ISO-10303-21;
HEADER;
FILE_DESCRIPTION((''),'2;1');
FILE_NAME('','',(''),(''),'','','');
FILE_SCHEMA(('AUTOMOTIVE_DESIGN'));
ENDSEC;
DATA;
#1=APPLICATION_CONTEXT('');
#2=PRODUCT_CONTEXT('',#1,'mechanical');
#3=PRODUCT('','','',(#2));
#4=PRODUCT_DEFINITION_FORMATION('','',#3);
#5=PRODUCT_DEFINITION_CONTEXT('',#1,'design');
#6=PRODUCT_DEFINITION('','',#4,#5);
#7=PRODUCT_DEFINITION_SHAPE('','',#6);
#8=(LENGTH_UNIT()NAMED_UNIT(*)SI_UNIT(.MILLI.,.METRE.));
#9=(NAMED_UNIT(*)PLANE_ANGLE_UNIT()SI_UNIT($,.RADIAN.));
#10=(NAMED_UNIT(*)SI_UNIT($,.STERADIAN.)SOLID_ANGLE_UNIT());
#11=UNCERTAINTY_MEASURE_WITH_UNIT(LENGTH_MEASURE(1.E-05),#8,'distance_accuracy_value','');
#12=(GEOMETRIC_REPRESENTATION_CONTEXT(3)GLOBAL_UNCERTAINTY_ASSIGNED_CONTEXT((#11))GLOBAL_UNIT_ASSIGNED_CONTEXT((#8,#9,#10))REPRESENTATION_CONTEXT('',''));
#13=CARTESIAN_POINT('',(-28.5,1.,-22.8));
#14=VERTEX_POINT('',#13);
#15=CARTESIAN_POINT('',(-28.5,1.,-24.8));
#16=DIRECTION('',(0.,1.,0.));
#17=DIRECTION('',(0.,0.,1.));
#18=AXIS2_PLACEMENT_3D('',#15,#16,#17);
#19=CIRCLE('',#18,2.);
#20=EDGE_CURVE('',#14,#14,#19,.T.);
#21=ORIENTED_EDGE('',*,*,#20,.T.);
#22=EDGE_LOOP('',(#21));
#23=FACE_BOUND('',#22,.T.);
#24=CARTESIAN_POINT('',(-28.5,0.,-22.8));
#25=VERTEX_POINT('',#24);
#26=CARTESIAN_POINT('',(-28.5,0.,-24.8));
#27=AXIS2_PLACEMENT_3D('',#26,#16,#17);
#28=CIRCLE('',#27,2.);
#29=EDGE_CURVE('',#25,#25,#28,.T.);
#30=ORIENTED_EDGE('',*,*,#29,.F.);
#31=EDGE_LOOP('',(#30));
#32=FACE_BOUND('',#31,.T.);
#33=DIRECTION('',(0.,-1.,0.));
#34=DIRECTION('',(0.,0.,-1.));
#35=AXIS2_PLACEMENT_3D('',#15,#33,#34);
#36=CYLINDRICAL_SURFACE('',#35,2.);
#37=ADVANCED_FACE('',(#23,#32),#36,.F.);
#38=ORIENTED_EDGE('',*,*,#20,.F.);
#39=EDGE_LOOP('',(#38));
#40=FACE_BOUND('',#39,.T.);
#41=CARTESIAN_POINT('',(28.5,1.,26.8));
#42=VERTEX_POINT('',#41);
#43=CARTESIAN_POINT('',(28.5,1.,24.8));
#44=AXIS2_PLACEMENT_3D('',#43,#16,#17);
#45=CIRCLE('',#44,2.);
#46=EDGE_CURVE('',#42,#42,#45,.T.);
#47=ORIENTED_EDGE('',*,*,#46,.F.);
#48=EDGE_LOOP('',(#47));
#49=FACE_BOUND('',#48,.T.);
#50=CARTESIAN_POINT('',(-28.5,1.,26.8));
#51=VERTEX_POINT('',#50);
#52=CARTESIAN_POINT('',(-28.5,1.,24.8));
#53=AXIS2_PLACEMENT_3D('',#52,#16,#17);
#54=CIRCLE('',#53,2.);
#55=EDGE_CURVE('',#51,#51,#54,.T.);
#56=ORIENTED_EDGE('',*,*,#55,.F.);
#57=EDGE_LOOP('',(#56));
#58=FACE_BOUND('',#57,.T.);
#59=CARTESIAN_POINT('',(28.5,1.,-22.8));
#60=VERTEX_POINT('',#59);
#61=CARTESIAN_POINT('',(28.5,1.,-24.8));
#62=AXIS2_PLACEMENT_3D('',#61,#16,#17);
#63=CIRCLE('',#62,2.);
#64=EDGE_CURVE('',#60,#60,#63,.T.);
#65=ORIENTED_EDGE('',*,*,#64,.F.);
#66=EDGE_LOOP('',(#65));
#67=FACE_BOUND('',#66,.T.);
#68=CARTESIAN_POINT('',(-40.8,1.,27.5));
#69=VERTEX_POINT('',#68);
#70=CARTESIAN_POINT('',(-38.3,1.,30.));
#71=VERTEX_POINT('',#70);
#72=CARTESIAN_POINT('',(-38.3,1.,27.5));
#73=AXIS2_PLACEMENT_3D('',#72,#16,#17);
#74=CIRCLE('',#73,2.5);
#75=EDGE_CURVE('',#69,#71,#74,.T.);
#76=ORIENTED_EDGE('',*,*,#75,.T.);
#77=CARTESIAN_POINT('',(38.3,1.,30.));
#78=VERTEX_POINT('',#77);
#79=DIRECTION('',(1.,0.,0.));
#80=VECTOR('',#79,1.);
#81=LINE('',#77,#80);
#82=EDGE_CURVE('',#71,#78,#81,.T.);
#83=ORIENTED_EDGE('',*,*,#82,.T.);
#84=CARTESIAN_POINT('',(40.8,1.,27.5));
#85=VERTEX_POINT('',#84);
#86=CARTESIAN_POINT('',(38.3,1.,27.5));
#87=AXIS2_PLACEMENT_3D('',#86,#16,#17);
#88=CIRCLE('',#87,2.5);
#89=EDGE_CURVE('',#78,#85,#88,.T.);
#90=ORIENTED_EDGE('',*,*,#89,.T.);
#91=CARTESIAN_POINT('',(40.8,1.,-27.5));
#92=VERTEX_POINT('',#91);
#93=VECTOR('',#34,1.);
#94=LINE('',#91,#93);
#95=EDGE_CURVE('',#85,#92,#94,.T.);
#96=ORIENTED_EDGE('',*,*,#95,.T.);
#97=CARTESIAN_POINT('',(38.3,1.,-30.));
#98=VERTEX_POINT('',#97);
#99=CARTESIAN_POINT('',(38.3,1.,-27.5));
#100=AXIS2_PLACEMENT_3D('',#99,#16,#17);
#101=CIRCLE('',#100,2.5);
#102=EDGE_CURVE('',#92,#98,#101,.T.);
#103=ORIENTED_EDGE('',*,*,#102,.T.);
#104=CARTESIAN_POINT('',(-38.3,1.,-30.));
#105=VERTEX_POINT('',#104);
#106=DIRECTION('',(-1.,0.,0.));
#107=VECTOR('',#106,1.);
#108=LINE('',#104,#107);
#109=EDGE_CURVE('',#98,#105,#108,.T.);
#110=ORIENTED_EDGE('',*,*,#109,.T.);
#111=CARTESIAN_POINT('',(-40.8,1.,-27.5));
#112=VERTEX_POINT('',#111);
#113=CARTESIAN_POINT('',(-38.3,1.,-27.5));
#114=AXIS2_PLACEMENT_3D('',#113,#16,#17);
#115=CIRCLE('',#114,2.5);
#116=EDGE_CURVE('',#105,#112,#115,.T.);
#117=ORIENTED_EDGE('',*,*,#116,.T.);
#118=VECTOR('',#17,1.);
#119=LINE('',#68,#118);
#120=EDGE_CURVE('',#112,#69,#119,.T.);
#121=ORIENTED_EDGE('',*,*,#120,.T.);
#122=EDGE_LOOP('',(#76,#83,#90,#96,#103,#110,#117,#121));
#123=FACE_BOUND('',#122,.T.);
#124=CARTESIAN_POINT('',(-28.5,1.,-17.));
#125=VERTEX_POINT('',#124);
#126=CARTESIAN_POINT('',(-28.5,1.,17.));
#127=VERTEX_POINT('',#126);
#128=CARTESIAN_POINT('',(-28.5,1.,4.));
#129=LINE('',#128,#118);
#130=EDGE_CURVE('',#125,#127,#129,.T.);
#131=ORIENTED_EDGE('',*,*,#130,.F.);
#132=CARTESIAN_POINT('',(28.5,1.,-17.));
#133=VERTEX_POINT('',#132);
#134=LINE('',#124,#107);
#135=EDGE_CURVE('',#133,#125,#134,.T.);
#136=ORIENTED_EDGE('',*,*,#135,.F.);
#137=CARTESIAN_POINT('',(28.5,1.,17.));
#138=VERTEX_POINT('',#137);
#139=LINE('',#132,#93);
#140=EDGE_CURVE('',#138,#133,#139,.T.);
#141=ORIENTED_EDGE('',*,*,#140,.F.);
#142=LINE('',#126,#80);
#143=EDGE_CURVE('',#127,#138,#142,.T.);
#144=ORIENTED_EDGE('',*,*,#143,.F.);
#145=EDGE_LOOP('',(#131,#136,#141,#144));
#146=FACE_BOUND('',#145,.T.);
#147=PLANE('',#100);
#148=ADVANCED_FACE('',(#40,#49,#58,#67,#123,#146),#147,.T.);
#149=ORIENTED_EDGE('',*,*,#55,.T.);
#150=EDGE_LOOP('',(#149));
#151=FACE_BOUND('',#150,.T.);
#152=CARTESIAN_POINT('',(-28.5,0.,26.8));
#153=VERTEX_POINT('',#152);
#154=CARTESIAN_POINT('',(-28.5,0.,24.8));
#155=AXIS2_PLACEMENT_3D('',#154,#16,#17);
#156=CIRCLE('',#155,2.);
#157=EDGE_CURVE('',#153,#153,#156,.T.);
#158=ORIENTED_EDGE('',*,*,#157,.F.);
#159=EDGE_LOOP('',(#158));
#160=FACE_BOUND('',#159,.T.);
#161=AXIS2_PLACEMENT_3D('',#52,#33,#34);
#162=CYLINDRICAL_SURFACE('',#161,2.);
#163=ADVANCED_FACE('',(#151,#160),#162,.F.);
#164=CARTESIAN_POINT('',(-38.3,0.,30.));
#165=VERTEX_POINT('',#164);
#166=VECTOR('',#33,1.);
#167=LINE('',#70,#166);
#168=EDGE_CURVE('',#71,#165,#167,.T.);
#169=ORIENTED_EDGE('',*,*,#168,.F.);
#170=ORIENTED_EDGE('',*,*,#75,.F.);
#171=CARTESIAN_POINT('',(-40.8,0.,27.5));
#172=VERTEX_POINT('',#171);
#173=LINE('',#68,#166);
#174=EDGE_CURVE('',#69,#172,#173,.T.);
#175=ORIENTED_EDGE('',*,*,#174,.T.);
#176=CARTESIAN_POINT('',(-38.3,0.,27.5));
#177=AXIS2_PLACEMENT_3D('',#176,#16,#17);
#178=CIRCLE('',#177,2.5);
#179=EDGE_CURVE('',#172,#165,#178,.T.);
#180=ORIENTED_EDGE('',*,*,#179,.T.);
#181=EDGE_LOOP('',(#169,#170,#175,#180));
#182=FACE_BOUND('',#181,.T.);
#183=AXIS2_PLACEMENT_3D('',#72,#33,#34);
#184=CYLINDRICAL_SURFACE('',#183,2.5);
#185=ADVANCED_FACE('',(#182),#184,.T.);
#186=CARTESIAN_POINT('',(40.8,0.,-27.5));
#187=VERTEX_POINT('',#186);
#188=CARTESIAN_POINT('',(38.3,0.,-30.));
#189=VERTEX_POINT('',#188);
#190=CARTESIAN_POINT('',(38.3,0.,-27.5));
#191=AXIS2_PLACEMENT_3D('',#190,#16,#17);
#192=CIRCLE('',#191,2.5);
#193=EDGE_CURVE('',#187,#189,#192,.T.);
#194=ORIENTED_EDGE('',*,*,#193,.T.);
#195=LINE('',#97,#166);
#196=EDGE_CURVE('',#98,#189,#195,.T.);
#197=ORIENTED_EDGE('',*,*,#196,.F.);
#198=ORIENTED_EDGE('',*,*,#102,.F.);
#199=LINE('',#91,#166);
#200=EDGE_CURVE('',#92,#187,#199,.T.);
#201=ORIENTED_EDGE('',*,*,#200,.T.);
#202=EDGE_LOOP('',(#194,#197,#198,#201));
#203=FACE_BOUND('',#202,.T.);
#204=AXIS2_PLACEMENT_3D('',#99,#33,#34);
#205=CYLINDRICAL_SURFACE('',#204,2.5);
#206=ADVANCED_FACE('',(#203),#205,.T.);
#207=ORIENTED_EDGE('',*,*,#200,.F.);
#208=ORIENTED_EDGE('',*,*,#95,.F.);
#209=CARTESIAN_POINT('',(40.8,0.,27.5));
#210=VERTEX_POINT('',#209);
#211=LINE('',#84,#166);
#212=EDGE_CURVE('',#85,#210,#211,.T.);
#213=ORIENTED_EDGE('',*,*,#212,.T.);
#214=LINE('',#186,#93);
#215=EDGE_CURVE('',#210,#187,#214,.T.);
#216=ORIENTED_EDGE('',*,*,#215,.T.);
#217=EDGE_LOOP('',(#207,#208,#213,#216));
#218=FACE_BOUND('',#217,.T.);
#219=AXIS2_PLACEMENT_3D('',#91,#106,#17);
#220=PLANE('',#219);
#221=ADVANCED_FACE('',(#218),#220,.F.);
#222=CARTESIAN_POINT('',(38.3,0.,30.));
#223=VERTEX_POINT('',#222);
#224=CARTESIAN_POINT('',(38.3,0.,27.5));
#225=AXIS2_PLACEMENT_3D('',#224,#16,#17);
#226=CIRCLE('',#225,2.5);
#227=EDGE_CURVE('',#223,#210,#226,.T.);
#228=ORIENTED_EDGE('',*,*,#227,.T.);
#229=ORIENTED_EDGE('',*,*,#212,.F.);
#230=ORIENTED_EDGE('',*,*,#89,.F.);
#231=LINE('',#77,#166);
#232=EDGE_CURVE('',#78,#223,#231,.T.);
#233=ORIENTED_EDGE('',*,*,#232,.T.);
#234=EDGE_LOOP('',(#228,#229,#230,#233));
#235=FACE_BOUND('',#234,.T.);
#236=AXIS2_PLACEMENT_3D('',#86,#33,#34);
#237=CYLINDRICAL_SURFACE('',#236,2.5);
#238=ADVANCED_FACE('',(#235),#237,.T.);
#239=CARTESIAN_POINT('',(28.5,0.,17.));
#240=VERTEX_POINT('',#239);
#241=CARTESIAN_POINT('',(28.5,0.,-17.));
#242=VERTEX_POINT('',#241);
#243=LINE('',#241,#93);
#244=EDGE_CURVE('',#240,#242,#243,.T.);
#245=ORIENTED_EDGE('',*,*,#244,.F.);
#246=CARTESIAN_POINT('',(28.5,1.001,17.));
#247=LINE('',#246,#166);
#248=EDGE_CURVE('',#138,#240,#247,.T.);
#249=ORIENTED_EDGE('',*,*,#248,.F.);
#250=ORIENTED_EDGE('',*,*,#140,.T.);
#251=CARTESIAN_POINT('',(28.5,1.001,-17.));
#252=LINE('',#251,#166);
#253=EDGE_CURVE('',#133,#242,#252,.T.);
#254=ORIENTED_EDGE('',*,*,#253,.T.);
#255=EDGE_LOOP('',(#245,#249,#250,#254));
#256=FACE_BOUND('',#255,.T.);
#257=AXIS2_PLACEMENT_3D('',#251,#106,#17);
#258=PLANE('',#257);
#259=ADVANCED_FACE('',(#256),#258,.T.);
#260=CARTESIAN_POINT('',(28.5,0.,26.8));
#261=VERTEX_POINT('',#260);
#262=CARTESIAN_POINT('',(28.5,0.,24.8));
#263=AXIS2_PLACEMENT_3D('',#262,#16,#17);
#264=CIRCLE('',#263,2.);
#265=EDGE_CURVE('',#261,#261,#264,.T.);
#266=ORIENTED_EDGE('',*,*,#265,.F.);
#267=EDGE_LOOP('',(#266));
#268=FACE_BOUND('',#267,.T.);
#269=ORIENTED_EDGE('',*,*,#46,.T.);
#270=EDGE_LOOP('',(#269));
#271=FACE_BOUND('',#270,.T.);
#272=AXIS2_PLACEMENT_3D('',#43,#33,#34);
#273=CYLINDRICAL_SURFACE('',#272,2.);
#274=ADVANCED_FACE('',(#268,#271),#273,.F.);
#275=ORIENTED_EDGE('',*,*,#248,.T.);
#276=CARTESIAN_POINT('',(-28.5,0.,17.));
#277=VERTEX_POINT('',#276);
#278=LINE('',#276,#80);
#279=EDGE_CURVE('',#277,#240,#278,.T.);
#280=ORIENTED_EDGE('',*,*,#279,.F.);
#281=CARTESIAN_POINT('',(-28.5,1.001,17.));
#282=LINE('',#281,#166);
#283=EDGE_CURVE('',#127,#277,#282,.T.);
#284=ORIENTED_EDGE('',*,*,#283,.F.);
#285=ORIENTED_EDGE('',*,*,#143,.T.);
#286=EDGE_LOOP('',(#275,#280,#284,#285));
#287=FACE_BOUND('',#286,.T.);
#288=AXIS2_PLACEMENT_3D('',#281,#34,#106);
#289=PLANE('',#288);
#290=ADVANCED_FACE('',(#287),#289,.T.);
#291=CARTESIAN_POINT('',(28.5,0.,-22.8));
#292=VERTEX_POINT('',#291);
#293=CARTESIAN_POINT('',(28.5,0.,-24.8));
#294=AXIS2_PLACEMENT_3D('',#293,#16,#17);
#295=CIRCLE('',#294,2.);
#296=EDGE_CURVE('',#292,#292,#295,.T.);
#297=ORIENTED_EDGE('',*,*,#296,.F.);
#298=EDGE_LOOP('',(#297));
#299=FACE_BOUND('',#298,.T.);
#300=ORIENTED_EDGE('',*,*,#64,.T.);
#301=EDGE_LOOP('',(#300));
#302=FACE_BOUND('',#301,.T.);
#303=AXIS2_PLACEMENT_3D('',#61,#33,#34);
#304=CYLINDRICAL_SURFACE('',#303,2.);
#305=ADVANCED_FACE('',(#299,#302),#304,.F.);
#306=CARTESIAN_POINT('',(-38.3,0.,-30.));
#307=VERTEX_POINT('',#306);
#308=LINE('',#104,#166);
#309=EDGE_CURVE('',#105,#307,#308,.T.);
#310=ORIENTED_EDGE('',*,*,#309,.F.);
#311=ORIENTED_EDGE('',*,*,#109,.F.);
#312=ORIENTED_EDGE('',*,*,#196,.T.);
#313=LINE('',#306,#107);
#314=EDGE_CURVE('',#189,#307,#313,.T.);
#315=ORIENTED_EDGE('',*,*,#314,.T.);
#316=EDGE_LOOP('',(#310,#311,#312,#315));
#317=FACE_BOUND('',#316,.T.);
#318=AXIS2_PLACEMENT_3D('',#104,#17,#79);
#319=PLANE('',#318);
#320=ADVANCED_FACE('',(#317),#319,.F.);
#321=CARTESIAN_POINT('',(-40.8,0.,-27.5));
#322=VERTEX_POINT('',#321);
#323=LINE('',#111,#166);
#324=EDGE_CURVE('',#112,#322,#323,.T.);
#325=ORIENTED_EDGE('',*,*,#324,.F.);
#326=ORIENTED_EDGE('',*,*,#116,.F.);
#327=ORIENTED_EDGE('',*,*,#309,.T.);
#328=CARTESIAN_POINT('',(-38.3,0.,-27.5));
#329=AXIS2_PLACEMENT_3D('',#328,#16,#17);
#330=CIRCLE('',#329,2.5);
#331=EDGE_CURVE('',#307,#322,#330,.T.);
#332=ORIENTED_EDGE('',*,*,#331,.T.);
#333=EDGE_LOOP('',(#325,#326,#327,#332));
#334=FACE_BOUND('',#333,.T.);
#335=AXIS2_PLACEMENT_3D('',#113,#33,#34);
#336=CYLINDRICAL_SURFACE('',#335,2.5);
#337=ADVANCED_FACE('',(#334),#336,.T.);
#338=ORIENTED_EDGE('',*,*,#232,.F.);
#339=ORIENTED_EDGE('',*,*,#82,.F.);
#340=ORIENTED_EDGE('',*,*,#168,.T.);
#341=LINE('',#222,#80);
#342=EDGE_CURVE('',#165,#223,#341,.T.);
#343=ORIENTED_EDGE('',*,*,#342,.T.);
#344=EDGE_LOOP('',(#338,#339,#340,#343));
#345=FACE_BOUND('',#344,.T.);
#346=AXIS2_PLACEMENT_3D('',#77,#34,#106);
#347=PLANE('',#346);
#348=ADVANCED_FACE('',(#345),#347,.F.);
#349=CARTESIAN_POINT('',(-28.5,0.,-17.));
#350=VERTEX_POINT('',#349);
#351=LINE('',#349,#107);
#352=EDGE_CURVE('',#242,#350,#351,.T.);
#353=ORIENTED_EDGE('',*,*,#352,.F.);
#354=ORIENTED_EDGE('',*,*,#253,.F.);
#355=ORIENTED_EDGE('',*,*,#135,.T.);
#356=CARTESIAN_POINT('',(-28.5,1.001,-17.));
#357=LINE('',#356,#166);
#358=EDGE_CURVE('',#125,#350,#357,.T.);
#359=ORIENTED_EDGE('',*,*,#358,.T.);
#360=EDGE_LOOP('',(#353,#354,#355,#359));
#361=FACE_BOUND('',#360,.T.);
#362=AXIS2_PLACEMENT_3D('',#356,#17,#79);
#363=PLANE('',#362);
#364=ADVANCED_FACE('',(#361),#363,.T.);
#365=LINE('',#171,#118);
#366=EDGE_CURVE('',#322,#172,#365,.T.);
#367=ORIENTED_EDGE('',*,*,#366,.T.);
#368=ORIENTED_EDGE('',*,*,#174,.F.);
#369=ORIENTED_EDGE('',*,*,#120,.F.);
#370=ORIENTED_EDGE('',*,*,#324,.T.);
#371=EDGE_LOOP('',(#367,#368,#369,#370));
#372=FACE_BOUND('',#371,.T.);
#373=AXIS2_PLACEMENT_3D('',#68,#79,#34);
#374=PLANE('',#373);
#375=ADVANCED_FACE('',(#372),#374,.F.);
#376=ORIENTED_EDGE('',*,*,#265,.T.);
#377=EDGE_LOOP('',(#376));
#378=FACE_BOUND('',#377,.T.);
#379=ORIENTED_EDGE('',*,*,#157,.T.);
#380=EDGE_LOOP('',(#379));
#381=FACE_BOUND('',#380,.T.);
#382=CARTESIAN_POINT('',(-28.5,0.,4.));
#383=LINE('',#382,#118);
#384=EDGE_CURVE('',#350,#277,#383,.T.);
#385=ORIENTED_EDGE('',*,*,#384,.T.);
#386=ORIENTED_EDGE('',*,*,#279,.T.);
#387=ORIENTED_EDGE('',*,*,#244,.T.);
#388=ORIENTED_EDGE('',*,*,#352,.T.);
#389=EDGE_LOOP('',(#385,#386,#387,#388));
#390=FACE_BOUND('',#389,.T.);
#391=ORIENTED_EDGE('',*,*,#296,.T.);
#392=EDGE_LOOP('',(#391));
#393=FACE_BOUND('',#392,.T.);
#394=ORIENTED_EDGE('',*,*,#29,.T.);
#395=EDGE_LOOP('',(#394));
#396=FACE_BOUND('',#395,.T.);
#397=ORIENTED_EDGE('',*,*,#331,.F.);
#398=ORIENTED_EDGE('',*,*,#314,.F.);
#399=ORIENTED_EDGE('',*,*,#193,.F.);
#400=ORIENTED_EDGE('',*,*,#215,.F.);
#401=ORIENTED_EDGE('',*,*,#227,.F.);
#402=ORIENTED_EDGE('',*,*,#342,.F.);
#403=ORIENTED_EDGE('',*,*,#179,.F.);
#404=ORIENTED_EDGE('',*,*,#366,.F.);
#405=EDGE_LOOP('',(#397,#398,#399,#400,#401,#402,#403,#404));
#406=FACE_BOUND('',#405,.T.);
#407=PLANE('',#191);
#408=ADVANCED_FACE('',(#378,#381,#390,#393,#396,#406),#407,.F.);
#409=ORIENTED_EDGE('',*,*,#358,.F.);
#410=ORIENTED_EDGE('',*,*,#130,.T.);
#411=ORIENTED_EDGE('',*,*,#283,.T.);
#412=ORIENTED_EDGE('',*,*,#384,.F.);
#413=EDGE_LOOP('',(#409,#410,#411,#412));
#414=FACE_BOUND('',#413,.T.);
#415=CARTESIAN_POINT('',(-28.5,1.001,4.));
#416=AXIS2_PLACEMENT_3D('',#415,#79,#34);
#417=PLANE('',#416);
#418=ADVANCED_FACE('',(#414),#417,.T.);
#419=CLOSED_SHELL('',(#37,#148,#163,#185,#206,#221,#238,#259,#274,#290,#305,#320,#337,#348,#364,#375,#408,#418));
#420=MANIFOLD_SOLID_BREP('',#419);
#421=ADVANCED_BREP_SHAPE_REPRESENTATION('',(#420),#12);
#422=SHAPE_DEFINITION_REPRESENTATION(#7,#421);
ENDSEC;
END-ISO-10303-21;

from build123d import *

# Parameters (mm, degrees)
CROQUIS1_R              = 2
SALIENTE_EXTRUIR2_DEPTH = 1
CORTAR_EXTRUIR2_REACH   = 3


with BuildPart() as part:
    # Croquis1 → Saliente-Extruir2 (new body)
    with BuildSketch(Plane(origin=(0, 0, 0), x_dir=(1, 0, 0), z_dir=(0, 1, 0))):
        with BuildLine():
            Line((40.8, 27.5), (40.8, -27.5))
            ThreePointArc((40.8, -27.5), (40.067766953, -29.267766953), (38.3, -30))
            Line((38.3, -30), (-38.3, -30))
            ThreePointArc((-38.3, -30), (-40.067766953, -29.267766953), (-40.8, -27.5))
            Line((-40.8, -27.5), (-40.8, 27.5))
            ThreePointArc((-40.8, 27.5), (-40.067766953, 29.267766953), (-38.3, 30))
            Line((-38.3, 30), (38.3, 30))
            ThreePointArc((38.3, 30), (40.067766953, 29.267766953), (40.8, 27.5))
        make_face()
        with Locations((28.5, -24.8)):
            Circle(CROQUIS1_R, mode=Mode.SUBTRACT)
        with Locations((28.5, 24.8)):
            Circle(CROQUIS1_R, mode=Mode.SUBTRACT)
        with Locations((-28.5, 24.8)):
            Circle(CROQUIS1_R, mode=Mode.SUBTRACT)
        with Locations((-28.5, -24.8)):
            Circle(CROQUIS1_R, mode=Mode.SUBTRACT)
    extrude(amount=SALIENTE_EXTRUIR2_DEPTH)

    # Croquis2 → Cortar-Extruir2 (cut, up to next)
    with BuildSketch(Plane(origin=(0, 0, 0), x_dir=(1, 0, 0), z_dir=(0, 1, 0)), mode=Mode.PRIVATE) as cortar_extruir2_sk1:
        Polygon((-28.5, 17), (28.5, 17), (28.5, -17), (-28.5, -17), (-28.5, -4), align=None)
    cortar_extruir2_tool1 = extrude(cortar_extruir2_sk1.sketch, amount=CORTAR_EXTRUIR2_REACH, mode=Mode.PRIVATE) & part.part
    add(cortar_extruir2_tool1.solids().sort_by_distance((0, 0, 0))[0], mode=Mode.SUBTRACT)


solid = part.part
